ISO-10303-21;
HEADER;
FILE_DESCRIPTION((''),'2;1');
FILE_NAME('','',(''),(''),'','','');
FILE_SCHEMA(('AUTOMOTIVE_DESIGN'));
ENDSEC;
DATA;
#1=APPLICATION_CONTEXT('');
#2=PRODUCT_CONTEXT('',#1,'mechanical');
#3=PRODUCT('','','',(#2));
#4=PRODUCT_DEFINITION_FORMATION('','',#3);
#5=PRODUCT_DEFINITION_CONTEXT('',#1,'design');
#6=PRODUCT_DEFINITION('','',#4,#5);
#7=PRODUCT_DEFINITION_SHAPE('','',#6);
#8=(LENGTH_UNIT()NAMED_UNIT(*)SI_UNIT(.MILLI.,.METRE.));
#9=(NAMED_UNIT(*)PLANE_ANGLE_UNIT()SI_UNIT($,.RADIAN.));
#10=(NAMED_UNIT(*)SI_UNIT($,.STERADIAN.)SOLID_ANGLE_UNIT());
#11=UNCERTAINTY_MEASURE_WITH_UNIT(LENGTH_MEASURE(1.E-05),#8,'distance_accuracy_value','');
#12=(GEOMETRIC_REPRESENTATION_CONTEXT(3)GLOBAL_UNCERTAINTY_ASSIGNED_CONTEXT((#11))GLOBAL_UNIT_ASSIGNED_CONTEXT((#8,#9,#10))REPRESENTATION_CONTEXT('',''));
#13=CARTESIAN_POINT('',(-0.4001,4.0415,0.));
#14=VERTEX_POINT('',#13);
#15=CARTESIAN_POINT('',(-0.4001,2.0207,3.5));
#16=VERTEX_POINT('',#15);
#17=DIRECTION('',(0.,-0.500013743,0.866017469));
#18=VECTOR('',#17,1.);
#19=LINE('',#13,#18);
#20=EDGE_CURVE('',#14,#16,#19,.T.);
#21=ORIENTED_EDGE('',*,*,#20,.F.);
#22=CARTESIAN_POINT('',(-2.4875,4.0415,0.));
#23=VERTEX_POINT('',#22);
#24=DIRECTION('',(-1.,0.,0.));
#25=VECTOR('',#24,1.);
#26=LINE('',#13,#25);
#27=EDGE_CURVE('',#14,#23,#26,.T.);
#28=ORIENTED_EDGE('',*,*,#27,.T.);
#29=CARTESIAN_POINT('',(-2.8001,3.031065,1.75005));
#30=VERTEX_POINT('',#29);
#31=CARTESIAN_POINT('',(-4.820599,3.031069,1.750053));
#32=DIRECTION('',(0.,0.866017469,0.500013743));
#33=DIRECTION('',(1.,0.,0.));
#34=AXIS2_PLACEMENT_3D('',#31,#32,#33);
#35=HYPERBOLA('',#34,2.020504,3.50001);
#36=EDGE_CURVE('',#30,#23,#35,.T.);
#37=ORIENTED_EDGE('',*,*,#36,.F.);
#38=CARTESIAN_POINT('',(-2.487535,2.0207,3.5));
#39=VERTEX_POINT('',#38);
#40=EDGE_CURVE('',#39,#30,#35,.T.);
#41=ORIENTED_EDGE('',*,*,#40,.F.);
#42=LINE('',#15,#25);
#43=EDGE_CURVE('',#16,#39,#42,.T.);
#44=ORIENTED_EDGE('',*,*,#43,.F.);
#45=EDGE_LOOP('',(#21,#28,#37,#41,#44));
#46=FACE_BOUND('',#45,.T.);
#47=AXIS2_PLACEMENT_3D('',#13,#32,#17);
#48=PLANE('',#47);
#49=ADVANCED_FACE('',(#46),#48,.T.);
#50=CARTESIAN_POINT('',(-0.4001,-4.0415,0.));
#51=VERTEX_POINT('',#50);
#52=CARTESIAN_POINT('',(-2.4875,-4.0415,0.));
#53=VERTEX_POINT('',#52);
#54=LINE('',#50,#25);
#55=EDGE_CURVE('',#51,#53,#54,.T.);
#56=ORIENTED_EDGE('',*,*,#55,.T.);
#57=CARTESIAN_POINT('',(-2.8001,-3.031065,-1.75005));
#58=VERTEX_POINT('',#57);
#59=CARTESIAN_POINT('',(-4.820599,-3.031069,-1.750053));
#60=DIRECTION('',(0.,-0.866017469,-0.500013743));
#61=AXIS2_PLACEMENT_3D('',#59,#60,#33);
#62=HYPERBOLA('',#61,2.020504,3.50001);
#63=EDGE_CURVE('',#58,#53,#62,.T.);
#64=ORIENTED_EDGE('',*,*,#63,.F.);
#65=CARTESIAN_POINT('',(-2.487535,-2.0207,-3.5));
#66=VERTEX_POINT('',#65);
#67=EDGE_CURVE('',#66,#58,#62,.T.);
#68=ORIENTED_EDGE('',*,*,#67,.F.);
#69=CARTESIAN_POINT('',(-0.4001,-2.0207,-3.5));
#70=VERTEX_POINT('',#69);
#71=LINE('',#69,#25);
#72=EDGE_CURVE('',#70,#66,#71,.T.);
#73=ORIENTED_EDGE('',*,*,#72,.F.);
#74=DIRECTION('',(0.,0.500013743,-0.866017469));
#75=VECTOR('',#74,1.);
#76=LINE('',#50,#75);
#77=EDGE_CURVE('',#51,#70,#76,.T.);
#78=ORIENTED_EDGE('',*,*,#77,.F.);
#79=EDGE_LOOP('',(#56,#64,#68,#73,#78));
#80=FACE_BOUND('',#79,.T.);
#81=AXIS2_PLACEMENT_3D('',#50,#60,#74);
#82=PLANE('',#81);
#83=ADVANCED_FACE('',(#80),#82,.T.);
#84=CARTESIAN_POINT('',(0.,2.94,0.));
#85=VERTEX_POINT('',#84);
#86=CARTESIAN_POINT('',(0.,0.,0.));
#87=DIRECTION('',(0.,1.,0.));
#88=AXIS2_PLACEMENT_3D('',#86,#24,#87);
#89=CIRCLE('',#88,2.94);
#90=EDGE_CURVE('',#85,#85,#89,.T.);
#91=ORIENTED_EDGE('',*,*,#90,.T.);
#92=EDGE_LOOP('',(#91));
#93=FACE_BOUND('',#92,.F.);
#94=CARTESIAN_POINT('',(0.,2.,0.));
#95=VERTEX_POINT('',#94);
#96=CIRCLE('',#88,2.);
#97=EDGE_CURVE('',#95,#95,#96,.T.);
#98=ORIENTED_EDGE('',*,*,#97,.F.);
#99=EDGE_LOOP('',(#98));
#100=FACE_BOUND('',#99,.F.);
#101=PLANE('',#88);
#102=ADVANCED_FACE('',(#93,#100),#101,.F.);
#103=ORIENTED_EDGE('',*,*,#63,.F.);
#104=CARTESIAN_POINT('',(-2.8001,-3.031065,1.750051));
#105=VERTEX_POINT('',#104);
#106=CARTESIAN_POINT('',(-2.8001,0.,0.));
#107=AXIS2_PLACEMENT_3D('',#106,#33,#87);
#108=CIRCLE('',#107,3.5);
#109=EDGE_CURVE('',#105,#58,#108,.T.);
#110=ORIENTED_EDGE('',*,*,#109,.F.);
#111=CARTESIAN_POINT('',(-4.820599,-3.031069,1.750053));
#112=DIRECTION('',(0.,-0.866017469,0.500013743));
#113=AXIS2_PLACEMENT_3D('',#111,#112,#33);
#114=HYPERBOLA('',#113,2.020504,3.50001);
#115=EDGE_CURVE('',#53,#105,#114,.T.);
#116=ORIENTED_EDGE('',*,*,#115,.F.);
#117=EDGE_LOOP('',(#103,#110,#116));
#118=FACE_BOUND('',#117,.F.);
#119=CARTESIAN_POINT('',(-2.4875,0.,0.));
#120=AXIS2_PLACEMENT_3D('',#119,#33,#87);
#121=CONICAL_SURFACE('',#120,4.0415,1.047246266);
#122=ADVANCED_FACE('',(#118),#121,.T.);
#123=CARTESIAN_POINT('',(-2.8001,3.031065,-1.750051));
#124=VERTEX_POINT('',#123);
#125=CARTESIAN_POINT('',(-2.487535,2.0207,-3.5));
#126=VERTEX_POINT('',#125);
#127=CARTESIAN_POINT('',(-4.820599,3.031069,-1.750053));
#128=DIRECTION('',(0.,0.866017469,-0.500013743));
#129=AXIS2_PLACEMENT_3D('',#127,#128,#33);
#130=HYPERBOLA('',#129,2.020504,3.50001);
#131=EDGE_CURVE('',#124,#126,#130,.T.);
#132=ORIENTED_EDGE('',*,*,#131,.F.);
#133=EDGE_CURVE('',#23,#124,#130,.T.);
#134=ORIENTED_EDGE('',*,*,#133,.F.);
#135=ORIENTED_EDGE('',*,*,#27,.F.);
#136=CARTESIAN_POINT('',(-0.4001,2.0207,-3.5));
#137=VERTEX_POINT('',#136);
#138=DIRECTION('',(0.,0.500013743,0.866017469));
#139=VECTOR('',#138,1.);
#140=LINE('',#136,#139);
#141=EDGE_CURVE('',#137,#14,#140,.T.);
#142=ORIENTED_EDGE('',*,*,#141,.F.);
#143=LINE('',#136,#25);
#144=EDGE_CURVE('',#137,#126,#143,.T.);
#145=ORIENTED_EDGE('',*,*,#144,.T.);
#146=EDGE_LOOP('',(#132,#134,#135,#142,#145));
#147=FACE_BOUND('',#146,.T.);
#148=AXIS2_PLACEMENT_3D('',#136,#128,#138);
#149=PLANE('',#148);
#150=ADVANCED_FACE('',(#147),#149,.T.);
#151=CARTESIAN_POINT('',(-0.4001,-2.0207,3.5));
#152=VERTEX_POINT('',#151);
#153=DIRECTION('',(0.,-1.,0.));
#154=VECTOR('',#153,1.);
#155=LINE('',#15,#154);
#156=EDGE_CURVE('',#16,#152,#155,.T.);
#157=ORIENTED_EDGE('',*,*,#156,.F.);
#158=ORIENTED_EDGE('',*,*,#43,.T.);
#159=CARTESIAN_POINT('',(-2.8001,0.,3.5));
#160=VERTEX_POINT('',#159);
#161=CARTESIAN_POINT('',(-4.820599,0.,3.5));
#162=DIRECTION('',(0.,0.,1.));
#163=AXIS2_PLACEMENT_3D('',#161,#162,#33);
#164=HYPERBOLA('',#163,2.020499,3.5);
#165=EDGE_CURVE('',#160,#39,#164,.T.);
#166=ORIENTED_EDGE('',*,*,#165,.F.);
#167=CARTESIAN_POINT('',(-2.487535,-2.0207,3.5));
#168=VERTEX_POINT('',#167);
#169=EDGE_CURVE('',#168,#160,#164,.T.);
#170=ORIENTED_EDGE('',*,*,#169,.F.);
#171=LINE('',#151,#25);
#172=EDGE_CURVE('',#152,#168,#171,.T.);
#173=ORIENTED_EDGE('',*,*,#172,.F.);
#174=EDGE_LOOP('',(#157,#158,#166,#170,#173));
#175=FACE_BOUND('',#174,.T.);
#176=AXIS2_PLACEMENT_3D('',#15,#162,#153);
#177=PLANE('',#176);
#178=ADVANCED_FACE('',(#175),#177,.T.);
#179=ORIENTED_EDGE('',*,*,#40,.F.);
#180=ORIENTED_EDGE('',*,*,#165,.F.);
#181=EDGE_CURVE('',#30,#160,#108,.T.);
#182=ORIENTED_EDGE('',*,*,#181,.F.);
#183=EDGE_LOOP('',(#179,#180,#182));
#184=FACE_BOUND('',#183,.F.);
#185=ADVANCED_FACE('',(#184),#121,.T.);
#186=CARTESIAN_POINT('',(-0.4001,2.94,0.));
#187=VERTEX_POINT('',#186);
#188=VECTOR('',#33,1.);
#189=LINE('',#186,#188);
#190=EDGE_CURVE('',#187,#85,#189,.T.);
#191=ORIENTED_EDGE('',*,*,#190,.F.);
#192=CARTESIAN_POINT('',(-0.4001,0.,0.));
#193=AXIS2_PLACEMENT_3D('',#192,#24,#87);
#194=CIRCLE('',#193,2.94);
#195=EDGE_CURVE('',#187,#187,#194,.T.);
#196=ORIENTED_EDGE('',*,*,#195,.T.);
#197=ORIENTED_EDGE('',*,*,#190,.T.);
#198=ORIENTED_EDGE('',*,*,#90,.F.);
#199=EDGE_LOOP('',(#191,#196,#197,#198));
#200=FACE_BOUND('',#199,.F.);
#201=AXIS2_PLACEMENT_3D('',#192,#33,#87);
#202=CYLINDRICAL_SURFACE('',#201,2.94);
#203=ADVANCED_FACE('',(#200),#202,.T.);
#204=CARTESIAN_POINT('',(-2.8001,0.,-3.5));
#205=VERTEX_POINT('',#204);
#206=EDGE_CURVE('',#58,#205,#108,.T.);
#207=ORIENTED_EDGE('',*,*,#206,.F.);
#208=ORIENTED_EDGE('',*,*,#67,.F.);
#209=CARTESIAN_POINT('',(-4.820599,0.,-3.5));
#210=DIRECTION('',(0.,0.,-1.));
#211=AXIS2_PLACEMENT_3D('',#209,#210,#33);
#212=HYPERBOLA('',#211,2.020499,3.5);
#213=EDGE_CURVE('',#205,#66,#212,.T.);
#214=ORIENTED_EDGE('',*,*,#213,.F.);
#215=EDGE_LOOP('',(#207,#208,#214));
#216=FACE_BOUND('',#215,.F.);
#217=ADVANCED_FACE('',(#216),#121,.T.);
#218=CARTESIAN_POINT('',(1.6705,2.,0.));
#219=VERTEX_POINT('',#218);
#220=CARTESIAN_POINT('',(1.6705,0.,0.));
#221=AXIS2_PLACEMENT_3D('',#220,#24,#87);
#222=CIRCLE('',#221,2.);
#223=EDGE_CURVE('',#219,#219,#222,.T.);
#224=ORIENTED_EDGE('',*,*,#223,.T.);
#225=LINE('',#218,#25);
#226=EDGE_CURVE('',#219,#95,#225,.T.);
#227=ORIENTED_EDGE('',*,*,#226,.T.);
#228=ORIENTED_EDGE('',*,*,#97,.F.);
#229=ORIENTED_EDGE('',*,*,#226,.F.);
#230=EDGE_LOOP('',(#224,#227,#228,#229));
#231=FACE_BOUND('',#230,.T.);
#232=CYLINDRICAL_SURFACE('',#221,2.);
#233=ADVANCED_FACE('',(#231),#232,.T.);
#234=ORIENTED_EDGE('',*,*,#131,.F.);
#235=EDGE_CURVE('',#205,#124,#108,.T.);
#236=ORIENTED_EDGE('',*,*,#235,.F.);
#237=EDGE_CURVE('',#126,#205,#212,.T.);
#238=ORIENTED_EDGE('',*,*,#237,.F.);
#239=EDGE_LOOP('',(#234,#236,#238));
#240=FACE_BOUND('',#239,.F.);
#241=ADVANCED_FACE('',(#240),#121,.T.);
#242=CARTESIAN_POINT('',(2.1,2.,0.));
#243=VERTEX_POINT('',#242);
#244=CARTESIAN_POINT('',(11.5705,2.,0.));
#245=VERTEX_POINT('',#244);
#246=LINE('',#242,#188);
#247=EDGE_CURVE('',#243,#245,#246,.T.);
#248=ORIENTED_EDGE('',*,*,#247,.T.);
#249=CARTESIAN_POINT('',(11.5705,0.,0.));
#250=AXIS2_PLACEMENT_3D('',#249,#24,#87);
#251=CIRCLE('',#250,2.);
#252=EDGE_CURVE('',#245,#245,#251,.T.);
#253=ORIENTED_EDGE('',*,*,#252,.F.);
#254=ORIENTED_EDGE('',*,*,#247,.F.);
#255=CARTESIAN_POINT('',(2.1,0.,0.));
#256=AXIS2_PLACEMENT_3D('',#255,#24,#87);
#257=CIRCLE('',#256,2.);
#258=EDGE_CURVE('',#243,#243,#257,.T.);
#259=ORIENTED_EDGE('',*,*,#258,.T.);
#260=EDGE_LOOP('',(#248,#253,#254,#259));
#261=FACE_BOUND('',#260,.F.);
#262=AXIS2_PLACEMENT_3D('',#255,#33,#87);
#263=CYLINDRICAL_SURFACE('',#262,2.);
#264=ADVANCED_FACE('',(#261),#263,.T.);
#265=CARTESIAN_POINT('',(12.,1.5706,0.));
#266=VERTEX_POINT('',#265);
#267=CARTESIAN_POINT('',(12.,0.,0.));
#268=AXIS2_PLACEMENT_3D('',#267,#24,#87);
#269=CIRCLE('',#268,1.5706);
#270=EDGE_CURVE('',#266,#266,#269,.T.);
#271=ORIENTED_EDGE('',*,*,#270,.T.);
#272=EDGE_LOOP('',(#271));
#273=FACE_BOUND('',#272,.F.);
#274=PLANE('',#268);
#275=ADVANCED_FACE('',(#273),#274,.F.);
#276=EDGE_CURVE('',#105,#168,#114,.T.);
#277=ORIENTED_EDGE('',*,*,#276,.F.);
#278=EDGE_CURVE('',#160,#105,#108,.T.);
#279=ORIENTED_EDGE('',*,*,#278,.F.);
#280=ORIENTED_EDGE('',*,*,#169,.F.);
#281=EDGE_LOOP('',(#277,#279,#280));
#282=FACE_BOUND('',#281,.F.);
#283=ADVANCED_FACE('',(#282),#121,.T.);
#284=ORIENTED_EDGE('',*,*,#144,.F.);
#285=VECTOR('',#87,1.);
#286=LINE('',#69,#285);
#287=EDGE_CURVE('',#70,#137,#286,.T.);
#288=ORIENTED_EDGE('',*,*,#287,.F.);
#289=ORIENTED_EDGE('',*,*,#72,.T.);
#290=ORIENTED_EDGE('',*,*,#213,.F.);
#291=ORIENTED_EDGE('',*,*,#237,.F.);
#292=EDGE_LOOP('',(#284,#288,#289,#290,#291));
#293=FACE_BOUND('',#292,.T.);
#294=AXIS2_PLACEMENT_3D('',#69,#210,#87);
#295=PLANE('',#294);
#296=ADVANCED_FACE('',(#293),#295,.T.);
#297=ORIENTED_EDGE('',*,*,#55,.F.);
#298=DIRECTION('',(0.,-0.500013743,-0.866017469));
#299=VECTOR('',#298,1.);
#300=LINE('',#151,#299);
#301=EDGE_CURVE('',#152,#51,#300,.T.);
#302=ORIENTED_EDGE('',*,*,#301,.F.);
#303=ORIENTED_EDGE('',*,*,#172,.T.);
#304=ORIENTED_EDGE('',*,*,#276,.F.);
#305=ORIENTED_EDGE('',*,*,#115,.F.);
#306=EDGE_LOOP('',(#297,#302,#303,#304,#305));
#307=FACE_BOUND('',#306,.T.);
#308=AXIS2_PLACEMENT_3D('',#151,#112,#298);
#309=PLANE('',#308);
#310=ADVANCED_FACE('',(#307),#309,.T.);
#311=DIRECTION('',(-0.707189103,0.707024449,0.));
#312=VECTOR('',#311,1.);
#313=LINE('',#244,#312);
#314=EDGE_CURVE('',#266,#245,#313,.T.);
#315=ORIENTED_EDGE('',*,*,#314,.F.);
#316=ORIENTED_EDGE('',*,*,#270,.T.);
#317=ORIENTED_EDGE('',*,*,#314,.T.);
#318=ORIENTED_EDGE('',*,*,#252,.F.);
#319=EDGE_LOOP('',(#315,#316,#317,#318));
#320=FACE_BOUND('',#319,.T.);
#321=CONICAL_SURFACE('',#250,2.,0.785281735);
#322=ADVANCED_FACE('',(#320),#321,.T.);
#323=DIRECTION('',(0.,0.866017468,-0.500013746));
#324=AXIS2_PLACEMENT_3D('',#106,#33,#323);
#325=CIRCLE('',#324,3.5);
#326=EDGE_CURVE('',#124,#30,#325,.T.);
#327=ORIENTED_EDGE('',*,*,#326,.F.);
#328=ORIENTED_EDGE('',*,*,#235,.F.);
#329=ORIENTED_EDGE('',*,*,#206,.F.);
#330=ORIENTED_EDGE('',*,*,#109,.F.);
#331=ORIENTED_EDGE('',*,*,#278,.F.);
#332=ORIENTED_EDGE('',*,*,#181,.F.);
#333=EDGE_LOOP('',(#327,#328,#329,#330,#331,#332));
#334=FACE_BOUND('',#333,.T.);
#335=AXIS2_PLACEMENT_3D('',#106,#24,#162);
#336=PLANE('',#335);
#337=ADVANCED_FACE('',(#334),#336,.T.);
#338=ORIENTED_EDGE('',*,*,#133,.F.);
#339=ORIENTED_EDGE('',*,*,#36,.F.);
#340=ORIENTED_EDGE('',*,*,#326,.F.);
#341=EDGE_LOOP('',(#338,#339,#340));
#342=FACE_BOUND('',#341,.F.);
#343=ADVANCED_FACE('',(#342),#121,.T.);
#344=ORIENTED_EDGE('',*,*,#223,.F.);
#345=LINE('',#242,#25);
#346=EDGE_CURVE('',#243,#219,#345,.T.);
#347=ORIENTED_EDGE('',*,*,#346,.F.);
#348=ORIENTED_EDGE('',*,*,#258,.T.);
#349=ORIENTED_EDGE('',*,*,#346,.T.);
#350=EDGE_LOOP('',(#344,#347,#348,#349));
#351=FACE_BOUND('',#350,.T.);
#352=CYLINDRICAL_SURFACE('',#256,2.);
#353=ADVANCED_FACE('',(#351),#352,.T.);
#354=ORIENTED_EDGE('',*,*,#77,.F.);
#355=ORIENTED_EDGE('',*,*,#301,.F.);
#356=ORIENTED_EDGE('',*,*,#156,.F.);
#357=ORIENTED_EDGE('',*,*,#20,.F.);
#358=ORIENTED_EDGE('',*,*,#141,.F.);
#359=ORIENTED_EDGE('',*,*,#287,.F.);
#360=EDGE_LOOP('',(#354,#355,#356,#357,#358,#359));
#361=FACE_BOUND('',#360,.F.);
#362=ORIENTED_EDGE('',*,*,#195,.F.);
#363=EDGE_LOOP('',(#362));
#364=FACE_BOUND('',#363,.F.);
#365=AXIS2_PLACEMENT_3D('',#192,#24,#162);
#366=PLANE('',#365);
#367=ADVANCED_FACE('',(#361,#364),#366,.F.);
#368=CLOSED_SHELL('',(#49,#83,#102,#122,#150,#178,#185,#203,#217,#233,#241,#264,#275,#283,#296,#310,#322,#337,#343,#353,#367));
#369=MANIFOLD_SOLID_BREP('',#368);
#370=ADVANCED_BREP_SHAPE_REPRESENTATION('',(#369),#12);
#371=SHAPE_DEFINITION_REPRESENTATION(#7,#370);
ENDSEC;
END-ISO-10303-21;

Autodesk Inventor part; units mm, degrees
ref_plane "YZ Plane" through (0, 0, 0) normal (1, 0, 0) x (0, 1, 0)
ref_plane "XZ Plane" through (0, 0, 0) normal (0, 1, 0) x (-1, 0, 0)
sketch "Sketch1" plane through (0, 0, 0) normal (0, 0, 1) x (1, 0, 0)
  line L0 (0, 2.94) -> (0, 2)
  line L1 (2.1, 2) -> (12, 2)
  line L2 (12, 2) -> (12, 0)
  line L3 (12, 0) -> (-0.4001, 0)
  line L4 (-2.8801, 0) -> (14.48, 0) projected
  line L5 (-0.4001, 0) -> (-0.4001, 2.94)
  line L6 (-0.4001, 2.94) -> (0, 2.94)
  line L7 (2.1, 2) -> (1.6705, 2)
  line L8 (1.6705, 2) -> (0, 2)
  line L9 (0, -0.588) -> (0, 3.528) projected
  dimension "d0" = 12
  dimension "d1" = 9.9
  dimension "d2" = 4
  dimension "d9" = 0.4001
  dimension "d10" = 5.88
  dimension "d13" = 0.4295
  dimension "d14" = 4
revolve "Body" add sketch "Sketch1" angle 360 about axis through (12, 0, 0) along (-1, 0, 0)
sketch "Sketch2" plane through (-0.4001, 0, 0) normal (-1, 0, 0) x (0, 0, 1)
  line L0 (0, 4.0415) -> (3.5, 2.0207)
  line L1 (3.5, 2.0207) -> (3.5, -2.0207)
  line L2 (3.5, -2.0207) -> (0, -4.0415)
  line L3 (0, -4.0415) -> (-3.5, -2.0207)
  line L4 (-3.5, -2.0207) -> (-3.5, 2.0207)
  line L5 (-3.5, 2.0207) -> (0, 4.0415)
  point P0 (0, 0)
  point P1 (0, 0)
  dimension "d11" = 7
extrude "Head" add sketch "Sketch2" along normal blind 2.4
sketch "Sketch4" plane through (0, 0, 0) normal (0, 0, 1) x (1, 0, 0)
  line L0 (-2.8001, 3.5) -> (-2.8001, 4.0415)
  line L1 (-2.8001, 4.0415) -> (-2.4875, 4.0415)
  line L2 (-2.4875, 4.0415) -> (-2.8001, 3.5)
  line L3 (-3.2801, 0) -> (0.0799, 0) projected
  line L4 (-0.4001, 4.0415) -> (-2.8001, 4.0415) projected
  line L5 (-2.8001, 2.0207) -> (-2.8001, 4.0415) projected
  dimension "d5" = 30
  dimension "d19" = 7
revolve "Chamfer1" cut sketch "Sketch4" angle 360 about axis through (-10, 0, 0) along (1, 0, 0)
thread "Thread" size "M4x0.7" class "6g" standard "ISO Metric profile" length 9.9
chamfer "Chamfer2" distance 0.4294 distance2 0.4295 1 edges at (12, -2, 0) measured on face at (12, 0.1822, 0.4036)
ref_plane "Work Plane1" through (1.525, 0, 0) normal (0, 0, 1) x (1, 0, 0)
equation "\"d0\" = NLG"
equation "\"d1\" = GEL"
equation "\"d2\" = GD"
equation "\"d10\" = SD2"
equation "\"d14\" = BDM"
equation "\"d11\" = SW"
equation "\"d3\" = KOH - SD"
equation "\"d5\" = ANG1"
equation "\"d19\" = SW0"
equation "\"d15\" = GEL"
equation "\"d6\" = -0.5 * SPD + 0.5 * GD"
equation "\"NLG\" = 12"
equation "\"GD\" = NND"
equation "\"BDM\" = NND"
equation "\"KOH\" = 2.8"
equation "\"GEL\" = 9.9"
equation "\"SW\" = 7"
equation "\"SW0\" = SW"
equation "\"SPD\" = NND - 1.2269 * PTC"
equation "\"SD2\" = 5.88"
equation "\"SD\" = 0.4"
equation "\"ANG1\" = 30deg"
equation "\"GAL\" = 0.61345 * PTC"
equation "\"GUL\" = 0.61345 * PTC"
equation "\"RR\" = 0.2"
equation "\"GD1\" = THREADDIA - 1.2269 * PTC"
equation "\"THREADDIA\" = 4"
equation "\"SDH\" = SD2"
equation "\"SDHG\" = 2.1"
equation "\"TOA\" = 30deg"
equation "\"PTC\" = 0.7"
equation "\"NND\" = 4"
equation "\"E0\" = 8.085"
properties part number "ISO 4017 - M4 x 12" material "Stainless Steel, 440C"
